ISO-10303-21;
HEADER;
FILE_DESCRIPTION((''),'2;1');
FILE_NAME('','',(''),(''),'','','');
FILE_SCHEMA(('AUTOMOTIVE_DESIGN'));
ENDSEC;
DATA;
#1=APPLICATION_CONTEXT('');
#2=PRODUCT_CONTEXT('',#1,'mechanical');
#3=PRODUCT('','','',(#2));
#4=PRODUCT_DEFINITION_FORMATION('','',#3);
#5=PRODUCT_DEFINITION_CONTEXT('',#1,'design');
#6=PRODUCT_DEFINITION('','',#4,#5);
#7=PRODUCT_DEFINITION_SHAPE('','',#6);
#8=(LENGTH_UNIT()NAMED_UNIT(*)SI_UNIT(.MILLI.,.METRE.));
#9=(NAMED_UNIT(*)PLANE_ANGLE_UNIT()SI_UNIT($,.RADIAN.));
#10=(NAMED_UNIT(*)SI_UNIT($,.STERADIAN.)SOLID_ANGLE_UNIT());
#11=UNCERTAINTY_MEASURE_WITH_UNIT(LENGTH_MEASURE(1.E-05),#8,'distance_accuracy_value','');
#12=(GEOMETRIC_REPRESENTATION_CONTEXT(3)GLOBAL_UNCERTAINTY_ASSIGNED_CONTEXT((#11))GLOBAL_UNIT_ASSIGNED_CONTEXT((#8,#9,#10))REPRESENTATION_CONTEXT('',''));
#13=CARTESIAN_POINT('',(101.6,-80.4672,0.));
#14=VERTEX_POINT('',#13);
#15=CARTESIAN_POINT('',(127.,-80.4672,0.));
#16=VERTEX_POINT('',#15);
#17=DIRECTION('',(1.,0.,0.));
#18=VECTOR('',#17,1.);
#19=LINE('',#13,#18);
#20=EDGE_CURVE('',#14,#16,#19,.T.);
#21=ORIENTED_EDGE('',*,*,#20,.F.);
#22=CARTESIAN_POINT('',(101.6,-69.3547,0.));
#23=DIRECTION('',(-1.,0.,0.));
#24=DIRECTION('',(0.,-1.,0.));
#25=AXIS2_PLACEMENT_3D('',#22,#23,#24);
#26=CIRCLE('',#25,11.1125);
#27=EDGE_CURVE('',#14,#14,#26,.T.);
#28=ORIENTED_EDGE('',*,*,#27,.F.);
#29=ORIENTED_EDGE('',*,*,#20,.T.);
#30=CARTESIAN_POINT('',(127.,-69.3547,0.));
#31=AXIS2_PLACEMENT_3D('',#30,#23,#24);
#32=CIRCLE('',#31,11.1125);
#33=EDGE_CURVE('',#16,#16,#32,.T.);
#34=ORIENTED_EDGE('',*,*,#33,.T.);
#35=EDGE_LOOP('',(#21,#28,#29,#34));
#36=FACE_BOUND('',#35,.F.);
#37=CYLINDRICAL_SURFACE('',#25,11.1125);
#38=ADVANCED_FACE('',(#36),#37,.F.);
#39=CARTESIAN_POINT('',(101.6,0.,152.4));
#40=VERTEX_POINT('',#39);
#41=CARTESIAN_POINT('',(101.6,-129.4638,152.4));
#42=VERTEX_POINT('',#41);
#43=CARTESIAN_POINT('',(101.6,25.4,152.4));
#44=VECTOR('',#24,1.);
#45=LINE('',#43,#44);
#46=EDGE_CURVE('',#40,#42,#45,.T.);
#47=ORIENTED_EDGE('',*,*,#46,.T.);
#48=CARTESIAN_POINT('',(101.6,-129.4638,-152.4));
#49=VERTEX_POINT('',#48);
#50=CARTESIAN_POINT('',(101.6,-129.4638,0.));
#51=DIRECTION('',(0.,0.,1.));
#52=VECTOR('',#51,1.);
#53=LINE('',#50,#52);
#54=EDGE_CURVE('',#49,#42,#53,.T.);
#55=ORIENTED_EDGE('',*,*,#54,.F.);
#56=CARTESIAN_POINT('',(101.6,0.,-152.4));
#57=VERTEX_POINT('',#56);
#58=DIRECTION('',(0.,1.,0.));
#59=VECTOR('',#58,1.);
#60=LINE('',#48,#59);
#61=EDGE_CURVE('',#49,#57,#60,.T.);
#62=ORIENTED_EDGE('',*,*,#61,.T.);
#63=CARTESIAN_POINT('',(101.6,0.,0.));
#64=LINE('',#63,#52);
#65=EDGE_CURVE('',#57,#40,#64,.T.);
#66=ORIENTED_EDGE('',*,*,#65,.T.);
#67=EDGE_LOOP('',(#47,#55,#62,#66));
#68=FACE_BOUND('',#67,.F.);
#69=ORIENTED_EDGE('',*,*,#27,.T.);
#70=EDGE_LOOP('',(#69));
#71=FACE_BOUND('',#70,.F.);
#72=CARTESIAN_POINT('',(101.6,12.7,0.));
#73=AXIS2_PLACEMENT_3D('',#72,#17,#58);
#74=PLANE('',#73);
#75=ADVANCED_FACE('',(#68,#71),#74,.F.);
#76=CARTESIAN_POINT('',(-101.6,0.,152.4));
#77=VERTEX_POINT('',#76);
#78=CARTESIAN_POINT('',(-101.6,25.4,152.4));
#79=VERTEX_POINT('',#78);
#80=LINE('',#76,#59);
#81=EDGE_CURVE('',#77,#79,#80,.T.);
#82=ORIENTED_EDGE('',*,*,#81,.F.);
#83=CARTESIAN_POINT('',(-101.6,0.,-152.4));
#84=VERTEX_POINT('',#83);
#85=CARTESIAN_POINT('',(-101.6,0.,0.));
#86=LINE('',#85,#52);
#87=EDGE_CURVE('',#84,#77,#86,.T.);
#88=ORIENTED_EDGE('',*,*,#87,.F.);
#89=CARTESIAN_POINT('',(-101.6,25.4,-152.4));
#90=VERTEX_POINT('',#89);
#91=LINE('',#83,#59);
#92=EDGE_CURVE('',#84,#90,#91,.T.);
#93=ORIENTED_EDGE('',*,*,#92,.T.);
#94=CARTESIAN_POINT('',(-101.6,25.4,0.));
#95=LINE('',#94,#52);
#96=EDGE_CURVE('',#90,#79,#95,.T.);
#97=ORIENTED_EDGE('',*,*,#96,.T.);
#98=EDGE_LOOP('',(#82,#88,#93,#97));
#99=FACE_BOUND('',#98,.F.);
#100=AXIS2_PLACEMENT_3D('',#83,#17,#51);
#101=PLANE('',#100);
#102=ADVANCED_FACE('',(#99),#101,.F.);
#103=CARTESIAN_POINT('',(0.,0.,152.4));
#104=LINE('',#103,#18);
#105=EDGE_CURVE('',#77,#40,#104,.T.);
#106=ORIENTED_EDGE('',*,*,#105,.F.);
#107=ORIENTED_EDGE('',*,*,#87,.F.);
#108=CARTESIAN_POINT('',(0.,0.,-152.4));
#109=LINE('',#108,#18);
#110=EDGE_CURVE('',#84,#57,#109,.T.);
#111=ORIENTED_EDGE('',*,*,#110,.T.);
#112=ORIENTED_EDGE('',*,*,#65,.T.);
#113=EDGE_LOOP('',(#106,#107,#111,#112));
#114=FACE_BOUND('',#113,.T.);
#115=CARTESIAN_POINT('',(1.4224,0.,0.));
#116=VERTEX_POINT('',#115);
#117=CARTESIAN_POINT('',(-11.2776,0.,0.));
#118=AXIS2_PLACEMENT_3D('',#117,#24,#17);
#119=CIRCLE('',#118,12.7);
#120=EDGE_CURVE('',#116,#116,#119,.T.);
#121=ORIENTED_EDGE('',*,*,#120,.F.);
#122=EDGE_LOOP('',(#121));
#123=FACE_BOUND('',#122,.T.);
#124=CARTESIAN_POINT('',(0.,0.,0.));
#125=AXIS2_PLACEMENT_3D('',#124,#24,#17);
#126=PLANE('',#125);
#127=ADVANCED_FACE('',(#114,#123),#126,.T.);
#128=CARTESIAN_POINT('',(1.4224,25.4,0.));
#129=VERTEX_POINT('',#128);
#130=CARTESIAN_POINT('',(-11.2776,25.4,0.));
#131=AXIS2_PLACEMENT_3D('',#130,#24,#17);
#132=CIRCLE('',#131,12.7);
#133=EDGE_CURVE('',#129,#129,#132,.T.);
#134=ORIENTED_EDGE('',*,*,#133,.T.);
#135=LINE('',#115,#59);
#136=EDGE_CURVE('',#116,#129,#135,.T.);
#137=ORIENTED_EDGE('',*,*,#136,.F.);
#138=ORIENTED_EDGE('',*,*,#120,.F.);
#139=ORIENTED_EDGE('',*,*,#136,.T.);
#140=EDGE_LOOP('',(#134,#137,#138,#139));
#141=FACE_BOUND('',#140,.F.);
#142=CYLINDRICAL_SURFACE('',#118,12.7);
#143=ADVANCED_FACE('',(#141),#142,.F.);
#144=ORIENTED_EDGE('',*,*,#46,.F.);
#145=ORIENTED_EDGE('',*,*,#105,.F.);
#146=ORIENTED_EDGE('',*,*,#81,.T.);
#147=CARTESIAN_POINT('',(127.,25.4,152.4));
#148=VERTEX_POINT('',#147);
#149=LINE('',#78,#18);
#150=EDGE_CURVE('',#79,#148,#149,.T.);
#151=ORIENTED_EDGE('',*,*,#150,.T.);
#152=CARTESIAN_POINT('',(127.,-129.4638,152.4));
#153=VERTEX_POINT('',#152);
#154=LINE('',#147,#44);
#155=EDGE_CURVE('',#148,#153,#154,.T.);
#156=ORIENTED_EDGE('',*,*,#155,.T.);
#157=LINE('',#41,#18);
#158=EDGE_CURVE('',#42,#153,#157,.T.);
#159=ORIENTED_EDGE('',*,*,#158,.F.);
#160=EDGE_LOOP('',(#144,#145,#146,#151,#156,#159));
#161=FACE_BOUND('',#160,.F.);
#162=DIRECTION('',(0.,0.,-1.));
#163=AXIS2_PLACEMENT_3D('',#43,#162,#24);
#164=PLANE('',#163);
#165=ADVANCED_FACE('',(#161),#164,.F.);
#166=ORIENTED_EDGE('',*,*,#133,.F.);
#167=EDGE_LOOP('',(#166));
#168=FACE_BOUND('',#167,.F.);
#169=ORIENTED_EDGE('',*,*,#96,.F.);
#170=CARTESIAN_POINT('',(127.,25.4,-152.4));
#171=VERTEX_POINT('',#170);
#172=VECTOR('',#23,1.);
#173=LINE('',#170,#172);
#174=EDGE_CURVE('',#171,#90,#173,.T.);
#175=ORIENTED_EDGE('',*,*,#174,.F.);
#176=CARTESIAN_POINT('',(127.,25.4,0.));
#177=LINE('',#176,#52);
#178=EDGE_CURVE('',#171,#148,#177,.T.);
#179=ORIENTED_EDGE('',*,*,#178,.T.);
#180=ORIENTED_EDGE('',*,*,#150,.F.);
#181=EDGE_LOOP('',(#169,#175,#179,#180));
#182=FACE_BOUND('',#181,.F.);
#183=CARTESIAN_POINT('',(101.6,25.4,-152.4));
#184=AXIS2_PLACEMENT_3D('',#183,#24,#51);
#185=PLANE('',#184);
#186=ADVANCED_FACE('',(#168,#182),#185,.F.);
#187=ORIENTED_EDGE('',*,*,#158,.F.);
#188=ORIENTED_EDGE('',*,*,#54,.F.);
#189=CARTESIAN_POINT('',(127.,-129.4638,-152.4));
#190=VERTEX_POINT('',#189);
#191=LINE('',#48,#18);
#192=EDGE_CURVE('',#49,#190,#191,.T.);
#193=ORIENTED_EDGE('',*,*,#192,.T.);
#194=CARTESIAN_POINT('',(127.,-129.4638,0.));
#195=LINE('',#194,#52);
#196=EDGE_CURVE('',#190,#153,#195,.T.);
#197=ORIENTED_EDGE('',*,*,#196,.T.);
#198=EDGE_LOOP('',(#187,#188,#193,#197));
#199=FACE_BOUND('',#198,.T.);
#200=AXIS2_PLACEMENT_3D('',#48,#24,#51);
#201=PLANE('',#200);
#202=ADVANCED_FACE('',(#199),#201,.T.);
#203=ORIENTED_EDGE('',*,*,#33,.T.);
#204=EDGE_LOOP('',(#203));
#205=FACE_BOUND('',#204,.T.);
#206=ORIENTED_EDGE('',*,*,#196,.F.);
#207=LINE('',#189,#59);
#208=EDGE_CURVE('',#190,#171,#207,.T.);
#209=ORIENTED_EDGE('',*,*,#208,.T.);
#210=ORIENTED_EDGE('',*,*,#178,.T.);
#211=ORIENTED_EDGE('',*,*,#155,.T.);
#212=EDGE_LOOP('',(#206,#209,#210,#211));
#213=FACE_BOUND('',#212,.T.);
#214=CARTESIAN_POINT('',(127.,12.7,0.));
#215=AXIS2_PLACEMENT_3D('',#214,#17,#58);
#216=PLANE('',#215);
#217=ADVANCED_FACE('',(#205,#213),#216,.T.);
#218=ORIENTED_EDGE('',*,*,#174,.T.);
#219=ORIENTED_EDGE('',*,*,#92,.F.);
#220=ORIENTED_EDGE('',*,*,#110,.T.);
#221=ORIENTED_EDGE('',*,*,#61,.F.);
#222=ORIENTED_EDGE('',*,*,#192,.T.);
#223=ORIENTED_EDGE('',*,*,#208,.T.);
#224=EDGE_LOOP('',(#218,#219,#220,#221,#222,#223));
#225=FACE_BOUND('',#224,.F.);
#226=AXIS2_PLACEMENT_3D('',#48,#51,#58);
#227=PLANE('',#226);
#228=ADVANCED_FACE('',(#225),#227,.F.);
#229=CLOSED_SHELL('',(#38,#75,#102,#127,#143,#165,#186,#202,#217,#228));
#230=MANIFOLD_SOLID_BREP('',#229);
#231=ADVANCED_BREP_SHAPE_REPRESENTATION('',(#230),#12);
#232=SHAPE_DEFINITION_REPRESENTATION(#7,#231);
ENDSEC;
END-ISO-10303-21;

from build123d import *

# Parameters (mm, degrees)
F0_W     = 203.2
F0_H     = 304.8
F1_DEPTH = 25.4
F2_W     = 25.4
F2_H     = 304.8
F2_W_2   = 129.4638
F3_DEPTH = 25.4
F4_R     = 12.7
F5_DEPTH = 25.401
F6_R     = 11.1125
F7_DEPTH = 25.401


with BuildPart() as f1:
    # F0 (on Front) → F1 (new body)
    with BuildSketch(Plane.XZ):
        Rectangle(F0_W, F0_H)
    extrude(amount=-F1_DEPTH)

    # F2 (on face) → F3 (join)
    with BuildSketch(Plane.YZ.offset(101.6)):
        with Locations((12.7, 0)):
            Rectangle(F2_W, F2_H)
        with Locations((-64.7319, 0)):
            Rectangle(F2_W_2, F2_H)
    extrude(amount=F3_DEPTH)

    # F4 (on face) → F5 (cut, through all)
    with BuildSketch(Plane.XZ):
        with Locations((-11.2776, 0)):
            Circle(F4_R)
    extrude(amount=-F5_DEPTH, mode=Mode.SUBTRACT)

    # F6 (on face) → F7 (cut, through all)
    with BuildSketch(Plane(origin=(101.6, 0, 0), x_dir=(0, -1, 0), z_dir=(-1, 0, 0))):
        with Locations((69.3547, 0)):
            Circle(F6_R)
    extrude(amount=-F7_DEPTH, mode=Mode.SUBTRACT)


solid = f1.part
